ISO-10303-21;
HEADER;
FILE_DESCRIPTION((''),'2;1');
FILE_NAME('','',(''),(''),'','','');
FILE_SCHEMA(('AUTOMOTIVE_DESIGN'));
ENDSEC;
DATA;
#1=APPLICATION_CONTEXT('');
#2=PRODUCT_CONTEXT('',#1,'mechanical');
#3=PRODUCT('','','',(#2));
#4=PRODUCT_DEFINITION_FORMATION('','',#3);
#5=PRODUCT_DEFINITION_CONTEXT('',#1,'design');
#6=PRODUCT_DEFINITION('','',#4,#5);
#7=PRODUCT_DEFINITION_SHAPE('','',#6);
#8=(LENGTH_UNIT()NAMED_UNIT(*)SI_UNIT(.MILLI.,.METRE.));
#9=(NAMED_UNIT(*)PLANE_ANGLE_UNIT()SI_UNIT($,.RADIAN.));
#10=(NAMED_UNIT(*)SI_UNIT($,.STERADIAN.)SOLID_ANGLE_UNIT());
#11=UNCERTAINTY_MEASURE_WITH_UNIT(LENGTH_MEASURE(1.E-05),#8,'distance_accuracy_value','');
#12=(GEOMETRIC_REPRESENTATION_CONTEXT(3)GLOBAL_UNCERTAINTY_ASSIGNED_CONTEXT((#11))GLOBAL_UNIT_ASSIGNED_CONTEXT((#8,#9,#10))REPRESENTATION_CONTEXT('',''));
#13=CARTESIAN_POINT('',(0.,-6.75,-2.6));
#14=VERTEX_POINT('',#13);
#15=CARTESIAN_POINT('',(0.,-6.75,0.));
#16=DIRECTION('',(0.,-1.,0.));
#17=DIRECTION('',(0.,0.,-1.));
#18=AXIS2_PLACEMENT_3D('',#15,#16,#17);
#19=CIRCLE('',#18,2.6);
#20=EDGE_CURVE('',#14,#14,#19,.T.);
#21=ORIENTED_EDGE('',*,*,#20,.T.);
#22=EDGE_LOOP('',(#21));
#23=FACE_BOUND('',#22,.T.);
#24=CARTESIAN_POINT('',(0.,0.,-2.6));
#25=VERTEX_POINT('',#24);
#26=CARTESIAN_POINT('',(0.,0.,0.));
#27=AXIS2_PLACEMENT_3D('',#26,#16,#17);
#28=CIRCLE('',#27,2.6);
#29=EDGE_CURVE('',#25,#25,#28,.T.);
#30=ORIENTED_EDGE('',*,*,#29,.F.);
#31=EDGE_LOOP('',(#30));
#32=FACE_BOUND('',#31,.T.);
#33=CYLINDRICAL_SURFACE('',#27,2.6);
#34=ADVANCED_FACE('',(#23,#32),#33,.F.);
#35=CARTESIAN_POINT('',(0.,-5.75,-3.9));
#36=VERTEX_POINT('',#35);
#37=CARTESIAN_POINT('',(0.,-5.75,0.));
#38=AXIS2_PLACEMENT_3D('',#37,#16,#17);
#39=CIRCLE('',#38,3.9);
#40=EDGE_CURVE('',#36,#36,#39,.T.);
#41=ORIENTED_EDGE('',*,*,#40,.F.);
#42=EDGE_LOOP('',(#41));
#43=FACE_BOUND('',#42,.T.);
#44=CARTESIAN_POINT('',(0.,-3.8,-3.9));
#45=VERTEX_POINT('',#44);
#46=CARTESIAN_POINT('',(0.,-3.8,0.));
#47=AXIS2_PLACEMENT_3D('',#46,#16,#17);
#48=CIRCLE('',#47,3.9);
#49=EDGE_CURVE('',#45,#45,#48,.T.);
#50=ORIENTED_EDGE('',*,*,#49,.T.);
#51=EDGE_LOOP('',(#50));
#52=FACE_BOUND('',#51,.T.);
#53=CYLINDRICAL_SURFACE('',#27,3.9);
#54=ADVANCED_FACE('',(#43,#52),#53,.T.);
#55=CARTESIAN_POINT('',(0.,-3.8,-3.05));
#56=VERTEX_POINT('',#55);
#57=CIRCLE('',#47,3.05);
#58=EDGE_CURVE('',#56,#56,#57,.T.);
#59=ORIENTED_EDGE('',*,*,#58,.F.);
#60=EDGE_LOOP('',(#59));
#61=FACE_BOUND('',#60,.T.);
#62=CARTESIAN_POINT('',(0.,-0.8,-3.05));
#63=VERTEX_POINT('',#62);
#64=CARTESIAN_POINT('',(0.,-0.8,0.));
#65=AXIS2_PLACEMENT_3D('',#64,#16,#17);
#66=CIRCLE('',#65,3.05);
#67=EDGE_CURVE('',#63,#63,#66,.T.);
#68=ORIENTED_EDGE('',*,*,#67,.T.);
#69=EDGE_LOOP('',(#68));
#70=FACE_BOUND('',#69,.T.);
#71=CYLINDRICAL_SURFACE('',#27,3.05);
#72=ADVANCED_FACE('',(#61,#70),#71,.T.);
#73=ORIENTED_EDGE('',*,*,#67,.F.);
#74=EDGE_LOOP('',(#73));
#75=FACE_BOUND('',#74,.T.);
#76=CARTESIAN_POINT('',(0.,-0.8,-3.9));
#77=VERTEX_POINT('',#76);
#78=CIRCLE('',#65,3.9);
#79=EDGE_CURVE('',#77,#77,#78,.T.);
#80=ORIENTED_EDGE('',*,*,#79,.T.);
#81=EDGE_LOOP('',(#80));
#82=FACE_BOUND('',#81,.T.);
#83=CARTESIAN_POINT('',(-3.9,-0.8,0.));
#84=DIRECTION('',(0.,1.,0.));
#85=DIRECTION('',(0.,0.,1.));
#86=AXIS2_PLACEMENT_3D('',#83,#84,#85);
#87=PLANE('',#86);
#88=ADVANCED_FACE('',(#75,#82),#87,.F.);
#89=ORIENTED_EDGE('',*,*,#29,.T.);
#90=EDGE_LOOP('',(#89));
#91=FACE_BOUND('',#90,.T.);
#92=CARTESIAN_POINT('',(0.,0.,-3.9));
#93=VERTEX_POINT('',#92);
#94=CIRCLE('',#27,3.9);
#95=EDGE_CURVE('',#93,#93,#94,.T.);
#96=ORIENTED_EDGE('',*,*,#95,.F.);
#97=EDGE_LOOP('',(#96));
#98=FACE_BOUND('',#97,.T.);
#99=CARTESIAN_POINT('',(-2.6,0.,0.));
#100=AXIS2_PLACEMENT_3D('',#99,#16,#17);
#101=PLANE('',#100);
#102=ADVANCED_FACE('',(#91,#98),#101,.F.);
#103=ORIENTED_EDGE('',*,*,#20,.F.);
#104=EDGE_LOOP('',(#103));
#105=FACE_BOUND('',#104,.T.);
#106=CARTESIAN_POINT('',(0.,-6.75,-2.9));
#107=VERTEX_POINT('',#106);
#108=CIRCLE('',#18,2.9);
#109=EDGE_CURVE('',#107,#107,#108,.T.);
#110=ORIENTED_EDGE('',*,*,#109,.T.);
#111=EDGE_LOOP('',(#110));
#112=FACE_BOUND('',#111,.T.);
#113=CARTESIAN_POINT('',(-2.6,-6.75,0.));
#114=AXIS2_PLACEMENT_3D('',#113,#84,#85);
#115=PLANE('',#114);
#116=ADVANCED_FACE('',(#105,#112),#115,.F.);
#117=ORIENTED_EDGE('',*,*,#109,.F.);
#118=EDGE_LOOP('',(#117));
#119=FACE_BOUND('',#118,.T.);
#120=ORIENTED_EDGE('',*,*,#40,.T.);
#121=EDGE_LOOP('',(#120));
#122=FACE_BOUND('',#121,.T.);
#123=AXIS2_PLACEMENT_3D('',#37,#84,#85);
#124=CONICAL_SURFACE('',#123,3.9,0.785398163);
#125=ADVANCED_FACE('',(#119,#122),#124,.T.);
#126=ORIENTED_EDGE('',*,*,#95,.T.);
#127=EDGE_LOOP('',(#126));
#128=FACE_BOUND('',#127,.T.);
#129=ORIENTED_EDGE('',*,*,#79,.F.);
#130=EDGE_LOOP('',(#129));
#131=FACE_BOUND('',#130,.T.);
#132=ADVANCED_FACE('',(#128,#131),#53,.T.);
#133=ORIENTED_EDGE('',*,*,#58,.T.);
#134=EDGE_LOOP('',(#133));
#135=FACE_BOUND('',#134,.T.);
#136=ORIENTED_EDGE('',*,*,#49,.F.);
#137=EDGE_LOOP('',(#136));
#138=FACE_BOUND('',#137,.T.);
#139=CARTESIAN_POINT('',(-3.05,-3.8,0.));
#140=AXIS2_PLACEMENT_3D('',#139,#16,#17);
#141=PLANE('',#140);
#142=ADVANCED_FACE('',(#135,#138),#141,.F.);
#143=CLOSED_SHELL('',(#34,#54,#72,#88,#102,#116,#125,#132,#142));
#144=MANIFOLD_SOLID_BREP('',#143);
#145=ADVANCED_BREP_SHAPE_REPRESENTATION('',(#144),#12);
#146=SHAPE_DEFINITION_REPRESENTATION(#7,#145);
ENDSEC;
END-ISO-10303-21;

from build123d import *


with BuildPart() as part:
    # Sketch1 → Revolve1 (revolve)
    with BuildSketch(Plane.XY, mode=Mode.PRIVATE) as revolve1_sk:
        Polygon((-2.6, 0), (-3.9, 0), (-3.9, -0.8), (-3.05, -0.8), (-3.05, -3.8), (-3.9, -3.8), (-3.9, -5.75), (-2.9, -6.75), (-2.6, -6.75), align=None)
    revolve(revolve1_sk.sketch.rotate(Axis((0, 0, 0), (0, 1, 0)), 270), axis=Axis((0, 0, 0), (0, 1, 0)))


solid = part.part
